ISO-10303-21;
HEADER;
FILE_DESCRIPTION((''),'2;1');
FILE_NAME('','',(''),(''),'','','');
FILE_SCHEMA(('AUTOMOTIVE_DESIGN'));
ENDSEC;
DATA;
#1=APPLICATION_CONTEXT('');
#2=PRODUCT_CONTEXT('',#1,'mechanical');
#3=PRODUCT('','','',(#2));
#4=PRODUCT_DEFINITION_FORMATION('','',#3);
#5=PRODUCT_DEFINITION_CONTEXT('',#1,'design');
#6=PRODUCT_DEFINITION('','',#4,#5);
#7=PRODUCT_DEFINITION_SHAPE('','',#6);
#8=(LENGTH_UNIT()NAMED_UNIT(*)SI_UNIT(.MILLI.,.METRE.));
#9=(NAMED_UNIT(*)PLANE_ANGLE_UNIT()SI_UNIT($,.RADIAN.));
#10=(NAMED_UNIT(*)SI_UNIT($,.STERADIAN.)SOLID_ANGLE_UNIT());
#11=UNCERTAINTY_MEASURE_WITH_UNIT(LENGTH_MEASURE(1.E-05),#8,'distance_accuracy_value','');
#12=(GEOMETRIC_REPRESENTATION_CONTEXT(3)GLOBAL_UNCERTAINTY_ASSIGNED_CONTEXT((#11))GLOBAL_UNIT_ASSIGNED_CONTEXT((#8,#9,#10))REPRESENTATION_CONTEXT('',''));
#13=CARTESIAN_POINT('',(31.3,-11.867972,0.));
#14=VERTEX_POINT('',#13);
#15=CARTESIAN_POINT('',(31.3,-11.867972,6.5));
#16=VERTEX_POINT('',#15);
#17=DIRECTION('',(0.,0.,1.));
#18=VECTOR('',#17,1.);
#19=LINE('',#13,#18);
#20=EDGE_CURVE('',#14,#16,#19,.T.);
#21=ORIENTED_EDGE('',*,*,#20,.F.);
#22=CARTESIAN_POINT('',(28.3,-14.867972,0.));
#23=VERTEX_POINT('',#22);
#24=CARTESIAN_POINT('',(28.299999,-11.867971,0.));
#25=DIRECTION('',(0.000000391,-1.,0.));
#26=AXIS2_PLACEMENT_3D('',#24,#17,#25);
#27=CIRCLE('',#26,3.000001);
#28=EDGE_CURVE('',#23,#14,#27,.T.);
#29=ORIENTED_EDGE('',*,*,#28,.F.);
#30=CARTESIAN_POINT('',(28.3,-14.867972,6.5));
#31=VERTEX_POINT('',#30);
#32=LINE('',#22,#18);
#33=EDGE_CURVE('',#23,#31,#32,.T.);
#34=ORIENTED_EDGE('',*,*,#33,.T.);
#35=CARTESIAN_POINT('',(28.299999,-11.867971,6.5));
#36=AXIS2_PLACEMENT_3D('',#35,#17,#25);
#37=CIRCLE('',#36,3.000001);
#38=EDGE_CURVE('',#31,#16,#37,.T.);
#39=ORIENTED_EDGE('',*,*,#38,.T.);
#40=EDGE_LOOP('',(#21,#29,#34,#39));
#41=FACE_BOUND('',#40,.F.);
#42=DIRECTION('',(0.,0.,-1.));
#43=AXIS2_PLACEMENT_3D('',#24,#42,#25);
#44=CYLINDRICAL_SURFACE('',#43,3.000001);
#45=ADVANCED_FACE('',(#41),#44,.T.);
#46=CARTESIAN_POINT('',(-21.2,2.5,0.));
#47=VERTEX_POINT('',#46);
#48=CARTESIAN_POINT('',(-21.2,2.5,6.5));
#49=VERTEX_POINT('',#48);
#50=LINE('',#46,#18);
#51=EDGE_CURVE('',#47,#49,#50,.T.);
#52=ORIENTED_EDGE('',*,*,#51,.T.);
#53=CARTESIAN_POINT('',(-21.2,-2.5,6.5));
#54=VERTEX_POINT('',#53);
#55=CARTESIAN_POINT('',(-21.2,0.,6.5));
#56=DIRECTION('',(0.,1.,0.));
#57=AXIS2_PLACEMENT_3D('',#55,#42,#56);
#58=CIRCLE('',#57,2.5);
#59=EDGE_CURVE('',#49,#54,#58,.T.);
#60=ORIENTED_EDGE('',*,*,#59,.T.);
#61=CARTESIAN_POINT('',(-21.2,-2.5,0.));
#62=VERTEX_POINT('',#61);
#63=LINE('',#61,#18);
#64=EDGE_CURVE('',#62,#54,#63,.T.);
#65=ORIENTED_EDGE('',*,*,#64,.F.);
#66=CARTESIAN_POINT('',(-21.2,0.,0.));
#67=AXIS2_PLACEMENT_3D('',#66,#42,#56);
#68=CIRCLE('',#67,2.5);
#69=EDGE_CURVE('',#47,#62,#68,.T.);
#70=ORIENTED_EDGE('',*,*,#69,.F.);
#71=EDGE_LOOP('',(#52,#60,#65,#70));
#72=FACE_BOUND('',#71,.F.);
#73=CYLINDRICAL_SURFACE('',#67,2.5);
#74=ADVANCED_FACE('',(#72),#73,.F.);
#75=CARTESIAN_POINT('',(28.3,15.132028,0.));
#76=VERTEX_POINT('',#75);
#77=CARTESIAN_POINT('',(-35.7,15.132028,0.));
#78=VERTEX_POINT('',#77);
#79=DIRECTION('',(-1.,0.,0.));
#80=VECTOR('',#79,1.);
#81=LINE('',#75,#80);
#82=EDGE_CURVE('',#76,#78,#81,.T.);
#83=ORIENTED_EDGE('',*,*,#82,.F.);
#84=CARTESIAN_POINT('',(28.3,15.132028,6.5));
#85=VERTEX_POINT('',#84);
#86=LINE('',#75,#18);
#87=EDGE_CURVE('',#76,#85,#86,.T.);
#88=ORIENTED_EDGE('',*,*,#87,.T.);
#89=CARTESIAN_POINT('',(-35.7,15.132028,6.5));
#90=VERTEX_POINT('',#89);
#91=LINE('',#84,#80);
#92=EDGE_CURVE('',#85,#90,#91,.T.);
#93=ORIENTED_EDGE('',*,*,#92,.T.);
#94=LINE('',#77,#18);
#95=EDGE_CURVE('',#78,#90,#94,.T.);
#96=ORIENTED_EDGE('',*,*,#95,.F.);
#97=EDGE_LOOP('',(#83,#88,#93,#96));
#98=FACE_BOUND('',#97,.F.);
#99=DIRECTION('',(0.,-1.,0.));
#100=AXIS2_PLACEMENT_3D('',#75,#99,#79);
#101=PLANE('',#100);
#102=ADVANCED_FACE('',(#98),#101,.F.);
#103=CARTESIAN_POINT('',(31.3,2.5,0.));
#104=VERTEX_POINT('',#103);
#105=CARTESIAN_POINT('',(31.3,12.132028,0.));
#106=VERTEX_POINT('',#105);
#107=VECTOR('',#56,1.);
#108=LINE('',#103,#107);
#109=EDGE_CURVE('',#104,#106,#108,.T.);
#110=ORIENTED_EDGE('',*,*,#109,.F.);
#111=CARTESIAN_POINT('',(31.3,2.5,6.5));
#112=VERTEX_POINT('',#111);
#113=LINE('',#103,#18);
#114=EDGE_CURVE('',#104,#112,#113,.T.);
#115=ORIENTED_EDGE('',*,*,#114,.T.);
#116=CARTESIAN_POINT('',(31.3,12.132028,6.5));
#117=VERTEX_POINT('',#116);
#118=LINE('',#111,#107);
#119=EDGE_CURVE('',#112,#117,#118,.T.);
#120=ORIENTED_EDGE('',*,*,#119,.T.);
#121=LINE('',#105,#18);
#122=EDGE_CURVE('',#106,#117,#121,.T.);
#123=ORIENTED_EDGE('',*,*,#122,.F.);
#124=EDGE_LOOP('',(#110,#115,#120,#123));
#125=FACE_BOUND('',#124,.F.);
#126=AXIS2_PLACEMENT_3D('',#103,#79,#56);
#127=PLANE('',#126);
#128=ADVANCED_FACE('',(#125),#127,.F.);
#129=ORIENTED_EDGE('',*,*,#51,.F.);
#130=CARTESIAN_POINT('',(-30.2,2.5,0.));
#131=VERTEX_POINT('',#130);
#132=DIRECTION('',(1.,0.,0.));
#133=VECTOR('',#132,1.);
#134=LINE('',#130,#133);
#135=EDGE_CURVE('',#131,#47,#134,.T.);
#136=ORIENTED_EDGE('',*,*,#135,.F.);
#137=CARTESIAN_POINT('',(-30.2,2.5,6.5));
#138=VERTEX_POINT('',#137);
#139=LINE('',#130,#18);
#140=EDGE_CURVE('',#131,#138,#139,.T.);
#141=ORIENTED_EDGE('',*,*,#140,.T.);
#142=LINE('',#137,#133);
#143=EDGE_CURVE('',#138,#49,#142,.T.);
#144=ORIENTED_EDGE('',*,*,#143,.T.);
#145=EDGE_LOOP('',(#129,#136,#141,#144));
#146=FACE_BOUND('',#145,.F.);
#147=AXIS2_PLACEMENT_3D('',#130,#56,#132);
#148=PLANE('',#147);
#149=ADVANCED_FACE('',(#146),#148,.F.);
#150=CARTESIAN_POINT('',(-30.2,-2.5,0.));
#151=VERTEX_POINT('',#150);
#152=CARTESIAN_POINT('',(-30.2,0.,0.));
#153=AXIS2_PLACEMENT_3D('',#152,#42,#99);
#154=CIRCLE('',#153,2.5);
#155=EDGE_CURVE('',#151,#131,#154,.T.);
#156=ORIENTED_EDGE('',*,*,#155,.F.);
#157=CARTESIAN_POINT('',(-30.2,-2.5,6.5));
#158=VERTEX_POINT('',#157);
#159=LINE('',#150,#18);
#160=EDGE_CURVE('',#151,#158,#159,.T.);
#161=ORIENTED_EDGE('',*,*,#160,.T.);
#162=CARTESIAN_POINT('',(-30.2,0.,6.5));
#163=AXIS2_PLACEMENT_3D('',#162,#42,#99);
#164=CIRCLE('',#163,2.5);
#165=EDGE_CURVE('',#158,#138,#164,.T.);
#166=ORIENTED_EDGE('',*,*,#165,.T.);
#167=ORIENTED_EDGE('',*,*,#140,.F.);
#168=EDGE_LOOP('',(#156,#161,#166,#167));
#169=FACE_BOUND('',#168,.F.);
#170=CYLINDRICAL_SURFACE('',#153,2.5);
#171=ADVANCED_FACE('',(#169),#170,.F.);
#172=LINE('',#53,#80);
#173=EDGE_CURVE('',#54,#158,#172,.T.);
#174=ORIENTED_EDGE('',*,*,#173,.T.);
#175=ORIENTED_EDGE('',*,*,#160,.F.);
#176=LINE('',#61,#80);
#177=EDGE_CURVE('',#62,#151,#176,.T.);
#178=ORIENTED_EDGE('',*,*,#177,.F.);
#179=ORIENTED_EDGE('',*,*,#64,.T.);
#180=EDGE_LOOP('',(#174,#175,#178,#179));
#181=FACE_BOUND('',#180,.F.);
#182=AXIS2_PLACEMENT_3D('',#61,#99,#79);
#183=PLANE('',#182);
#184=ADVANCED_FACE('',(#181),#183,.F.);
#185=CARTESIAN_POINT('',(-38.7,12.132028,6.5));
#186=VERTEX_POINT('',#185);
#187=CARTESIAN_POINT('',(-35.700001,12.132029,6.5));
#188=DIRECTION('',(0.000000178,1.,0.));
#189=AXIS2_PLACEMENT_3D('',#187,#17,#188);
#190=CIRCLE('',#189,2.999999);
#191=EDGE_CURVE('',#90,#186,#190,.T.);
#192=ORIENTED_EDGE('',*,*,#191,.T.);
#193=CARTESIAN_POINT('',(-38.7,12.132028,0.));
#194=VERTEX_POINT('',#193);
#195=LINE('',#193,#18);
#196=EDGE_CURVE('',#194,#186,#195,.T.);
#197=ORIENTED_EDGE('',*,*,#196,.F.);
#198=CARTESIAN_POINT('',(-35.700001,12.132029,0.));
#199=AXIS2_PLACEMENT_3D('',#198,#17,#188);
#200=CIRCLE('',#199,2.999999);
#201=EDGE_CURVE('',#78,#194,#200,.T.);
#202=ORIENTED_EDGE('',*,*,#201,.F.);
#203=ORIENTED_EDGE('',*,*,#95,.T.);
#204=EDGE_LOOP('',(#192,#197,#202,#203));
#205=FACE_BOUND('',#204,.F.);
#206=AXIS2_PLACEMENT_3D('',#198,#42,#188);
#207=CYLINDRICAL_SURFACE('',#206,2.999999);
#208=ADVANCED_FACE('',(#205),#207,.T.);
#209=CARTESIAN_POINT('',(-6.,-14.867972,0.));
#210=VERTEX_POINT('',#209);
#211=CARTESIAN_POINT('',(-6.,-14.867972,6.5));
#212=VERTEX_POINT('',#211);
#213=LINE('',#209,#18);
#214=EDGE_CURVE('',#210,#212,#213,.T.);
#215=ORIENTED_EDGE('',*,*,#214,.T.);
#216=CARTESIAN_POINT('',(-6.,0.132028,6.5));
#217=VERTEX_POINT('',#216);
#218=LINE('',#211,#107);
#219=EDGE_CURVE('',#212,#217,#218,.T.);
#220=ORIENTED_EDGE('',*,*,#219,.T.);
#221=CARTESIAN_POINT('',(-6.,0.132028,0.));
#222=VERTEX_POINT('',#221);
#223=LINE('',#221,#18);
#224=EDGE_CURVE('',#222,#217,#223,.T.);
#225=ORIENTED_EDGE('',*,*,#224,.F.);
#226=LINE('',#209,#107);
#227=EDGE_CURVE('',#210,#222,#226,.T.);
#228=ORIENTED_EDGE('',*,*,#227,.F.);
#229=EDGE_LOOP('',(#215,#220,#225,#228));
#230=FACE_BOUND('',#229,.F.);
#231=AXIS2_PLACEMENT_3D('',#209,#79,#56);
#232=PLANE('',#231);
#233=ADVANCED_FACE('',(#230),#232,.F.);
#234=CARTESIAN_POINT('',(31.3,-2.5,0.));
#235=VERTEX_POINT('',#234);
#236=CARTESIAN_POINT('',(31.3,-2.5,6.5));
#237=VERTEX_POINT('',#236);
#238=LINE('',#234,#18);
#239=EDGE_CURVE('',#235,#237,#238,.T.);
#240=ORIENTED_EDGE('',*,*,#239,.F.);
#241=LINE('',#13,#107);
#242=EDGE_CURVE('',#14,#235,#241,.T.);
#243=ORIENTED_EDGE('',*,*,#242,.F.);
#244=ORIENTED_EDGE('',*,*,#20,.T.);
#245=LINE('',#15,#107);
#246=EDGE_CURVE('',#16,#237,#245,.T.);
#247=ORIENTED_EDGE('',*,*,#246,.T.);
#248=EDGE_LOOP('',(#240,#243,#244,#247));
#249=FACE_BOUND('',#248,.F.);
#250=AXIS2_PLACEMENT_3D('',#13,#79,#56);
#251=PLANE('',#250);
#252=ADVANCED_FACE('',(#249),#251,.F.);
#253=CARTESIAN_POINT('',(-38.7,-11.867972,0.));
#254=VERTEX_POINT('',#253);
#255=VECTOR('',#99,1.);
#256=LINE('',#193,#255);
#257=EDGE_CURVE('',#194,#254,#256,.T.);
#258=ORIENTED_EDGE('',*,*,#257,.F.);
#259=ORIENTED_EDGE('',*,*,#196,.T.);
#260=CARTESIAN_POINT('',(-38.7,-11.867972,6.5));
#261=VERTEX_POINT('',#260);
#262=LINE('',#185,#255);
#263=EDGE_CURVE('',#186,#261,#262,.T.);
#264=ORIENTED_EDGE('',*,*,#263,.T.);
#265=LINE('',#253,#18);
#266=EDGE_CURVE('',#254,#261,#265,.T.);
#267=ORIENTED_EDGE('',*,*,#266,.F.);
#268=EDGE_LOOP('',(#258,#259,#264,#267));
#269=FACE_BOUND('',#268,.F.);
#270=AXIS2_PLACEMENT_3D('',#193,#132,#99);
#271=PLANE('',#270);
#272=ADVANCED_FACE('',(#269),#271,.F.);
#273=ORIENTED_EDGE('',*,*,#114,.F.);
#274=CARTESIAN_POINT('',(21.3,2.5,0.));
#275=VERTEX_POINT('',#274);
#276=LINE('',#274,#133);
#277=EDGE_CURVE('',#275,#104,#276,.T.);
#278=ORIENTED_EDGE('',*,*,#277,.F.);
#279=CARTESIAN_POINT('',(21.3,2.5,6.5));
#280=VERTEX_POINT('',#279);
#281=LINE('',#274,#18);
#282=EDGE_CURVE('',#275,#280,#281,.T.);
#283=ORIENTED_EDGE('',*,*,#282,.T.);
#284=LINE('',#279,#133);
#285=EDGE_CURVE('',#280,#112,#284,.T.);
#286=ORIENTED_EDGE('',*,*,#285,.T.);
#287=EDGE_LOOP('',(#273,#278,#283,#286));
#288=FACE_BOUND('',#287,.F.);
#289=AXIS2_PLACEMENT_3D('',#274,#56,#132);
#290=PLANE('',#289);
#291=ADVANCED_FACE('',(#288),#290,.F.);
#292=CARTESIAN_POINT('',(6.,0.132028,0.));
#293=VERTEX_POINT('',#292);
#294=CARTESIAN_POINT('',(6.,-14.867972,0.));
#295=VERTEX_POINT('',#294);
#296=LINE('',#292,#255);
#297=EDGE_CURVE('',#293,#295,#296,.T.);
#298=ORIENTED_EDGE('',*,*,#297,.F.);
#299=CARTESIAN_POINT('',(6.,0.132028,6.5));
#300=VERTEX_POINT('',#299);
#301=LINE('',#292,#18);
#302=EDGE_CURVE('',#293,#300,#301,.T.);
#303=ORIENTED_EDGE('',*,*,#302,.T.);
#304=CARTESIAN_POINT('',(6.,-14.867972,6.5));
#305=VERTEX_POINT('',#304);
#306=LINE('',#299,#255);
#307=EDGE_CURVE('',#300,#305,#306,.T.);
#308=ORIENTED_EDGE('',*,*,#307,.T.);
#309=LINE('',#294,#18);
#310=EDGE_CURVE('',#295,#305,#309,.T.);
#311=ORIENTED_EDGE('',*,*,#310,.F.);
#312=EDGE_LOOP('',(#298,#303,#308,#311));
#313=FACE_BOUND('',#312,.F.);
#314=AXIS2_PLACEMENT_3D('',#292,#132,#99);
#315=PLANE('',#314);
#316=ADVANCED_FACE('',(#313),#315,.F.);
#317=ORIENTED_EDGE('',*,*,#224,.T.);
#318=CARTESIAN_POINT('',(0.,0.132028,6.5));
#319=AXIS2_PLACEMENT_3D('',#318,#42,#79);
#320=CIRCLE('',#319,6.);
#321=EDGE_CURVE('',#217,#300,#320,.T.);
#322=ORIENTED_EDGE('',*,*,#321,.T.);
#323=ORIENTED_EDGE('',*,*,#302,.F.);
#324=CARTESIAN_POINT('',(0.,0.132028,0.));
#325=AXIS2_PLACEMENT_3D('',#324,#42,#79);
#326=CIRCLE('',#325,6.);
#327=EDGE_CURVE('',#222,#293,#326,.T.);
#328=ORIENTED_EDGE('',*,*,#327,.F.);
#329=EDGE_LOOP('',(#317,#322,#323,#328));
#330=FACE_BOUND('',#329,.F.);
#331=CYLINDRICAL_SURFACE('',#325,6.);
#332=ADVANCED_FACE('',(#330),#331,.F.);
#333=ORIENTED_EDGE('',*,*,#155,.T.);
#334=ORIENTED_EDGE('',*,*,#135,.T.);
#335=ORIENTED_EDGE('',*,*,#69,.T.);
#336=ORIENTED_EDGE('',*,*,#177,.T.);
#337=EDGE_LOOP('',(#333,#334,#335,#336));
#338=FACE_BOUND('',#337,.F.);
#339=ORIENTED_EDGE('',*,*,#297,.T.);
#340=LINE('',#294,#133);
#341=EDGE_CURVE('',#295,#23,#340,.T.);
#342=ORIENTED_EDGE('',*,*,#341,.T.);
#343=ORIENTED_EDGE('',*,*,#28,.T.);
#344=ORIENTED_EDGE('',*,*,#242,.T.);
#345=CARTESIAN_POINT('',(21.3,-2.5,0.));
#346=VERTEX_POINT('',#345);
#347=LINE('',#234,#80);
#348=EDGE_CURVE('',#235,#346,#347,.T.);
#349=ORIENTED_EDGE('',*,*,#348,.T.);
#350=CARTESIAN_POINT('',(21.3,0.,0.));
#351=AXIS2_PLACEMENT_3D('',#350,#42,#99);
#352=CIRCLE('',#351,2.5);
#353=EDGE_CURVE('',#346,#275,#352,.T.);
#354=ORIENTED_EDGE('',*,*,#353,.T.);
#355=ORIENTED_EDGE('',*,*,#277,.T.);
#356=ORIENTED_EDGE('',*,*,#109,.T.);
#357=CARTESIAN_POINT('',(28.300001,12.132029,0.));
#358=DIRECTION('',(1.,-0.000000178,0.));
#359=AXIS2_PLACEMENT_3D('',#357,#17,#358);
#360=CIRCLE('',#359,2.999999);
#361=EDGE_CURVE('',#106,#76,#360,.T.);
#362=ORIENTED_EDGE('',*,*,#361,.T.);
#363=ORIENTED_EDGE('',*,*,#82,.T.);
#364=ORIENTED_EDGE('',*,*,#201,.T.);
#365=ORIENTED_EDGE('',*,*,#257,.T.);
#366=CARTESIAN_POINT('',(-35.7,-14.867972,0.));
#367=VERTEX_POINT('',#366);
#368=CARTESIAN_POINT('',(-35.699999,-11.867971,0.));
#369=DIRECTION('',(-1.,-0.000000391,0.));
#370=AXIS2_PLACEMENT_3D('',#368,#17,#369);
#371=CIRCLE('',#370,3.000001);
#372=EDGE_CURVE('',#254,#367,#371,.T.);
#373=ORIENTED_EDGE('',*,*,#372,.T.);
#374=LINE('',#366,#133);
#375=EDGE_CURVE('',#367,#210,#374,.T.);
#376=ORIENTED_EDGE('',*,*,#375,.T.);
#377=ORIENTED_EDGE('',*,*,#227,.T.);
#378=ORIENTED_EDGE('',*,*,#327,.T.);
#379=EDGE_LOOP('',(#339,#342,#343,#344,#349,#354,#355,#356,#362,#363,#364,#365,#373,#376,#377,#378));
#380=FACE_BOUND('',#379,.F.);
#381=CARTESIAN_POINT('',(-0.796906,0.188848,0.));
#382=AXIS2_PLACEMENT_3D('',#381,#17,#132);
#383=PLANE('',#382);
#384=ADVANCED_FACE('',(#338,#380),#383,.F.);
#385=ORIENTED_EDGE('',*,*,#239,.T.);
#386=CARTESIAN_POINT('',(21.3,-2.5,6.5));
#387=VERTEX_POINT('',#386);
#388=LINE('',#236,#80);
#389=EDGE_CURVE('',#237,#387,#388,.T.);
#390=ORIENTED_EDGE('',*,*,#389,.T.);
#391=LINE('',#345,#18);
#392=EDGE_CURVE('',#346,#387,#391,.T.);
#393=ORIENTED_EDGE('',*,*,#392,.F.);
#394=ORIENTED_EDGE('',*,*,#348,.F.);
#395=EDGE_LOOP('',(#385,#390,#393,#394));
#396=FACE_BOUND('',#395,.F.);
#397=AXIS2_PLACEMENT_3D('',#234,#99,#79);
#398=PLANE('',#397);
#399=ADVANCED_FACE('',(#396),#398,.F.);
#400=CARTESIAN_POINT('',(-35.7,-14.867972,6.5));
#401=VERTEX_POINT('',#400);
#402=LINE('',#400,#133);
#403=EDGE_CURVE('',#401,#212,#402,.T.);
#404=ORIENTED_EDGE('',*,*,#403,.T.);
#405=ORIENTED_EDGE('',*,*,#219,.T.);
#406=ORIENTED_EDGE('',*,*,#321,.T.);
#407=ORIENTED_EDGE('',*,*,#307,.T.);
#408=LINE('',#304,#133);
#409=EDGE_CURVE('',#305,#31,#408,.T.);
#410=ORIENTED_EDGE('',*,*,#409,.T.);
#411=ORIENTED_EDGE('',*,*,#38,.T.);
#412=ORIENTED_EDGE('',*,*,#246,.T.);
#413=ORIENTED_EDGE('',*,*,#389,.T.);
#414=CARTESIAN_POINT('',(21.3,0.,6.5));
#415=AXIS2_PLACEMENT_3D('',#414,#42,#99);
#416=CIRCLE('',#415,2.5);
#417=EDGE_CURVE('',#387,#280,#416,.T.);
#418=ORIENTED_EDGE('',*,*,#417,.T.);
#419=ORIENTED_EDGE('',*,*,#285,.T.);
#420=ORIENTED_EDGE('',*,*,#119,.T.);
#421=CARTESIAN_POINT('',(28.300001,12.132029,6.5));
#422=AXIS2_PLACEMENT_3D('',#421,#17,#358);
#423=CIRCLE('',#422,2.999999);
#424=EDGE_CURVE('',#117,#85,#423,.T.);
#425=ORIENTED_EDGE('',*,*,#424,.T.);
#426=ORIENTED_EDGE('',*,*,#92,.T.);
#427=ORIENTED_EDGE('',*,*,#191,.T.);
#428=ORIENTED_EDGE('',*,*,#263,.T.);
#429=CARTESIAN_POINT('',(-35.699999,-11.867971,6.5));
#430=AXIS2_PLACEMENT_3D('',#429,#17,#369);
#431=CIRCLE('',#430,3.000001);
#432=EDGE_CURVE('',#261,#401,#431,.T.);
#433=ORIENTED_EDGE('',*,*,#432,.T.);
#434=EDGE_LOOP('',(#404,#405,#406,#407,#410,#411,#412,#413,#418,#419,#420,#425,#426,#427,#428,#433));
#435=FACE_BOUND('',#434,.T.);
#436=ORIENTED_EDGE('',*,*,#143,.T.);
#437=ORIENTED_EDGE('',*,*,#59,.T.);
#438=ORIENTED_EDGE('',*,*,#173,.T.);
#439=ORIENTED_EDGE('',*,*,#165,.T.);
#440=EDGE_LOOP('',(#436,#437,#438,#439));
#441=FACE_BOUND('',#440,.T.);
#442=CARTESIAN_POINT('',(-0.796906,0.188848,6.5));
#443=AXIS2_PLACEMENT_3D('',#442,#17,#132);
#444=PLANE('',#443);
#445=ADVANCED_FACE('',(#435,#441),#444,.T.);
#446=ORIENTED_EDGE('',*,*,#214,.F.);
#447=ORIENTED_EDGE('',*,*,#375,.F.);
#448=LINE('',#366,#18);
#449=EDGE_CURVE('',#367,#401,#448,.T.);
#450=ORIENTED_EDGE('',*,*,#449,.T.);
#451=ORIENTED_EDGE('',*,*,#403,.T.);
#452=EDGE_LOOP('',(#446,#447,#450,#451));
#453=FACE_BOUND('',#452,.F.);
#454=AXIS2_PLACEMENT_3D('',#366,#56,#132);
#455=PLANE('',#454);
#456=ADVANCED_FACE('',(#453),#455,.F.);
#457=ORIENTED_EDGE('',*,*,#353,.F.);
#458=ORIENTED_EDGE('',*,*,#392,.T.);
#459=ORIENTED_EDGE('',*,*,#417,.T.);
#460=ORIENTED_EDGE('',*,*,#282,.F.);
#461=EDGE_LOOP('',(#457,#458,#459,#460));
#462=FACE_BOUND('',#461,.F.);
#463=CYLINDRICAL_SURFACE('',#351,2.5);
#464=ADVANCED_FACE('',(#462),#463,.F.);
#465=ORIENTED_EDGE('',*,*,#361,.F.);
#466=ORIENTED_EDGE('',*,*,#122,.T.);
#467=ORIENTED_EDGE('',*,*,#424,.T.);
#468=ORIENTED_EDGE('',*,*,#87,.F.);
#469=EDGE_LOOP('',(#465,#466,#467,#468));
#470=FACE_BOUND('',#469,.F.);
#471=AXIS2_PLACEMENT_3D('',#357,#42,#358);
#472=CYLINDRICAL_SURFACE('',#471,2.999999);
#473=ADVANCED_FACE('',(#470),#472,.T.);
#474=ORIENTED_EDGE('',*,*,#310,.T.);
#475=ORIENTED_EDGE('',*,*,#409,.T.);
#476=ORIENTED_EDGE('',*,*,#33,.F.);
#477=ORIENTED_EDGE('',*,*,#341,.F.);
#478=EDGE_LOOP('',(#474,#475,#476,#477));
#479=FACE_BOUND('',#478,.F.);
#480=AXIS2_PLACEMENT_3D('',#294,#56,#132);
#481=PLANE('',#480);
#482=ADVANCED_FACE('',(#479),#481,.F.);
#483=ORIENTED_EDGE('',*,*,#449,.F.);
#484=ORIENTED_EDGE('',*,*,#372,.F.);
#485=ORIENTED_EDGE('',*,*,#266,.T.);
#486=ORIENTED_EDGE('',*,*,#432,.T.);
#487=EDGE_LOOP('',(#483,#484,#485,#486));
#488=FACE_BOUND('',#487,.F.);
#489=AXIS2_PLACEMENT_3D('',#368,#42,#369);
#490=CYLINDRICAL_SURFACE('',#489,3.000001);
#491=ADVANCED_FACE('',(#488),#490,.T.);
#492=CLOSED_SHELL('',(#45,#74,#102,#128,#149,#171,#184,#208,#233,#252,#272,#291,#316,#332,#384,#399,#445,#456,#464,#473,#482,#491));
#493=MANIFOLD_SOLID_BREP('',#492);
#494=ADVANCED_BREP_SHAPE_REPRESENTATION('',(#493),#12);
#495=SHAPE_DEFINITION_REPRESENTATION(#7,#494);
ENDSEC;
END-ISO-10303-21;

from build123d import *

# Parameters (mm, degrees)
F1_DEPTH = 6.5


with BuildPart() as f1:
    # F0 (on Top) → F1 (new body)
    with BuildSketch(Plane.XY):
        with BuildLine():
            Line((28.3, 15.132028), (-35.7, 15.132028))
            ThreePointArc((-35.7, 15.132028), (-37.82132, 14.253349), (-38.7, 12.132028))
            Line((-38.7, 12.132028), (-38.7, -11.867972))
            ThreePointArc((-38.7, -11.867972), (-37.82132, -13.989292), (-35.7, -14.867972))
            Line((-35.7, -14.867972), (-6, -14.867972))
            Line((-6, -14.867972), (-6, 0.132028))
            ThreePointArc((-6, 0.132028), (0, 6.132028), (6, 0.132028))
            Line((6, 0.132028), (6, -14.867972))
            Line((6, -14.867972), (28.3, -14.867972))
            ThreePointArc((28.3, -14.867972), (30.42132, -13.989292), (31.3, -11.867972))
            Line((31.3, -11.867972), (31.3, -2.5))
            Line((31.3, -2.5), (21.3, -2.5))
            ThreePointArc((21.3, -2.5), (18.8, 0), (21.3, 2.5))
            Line((21.3, 2.5), (31.3, 2.5))
            Line((31.3, 2.5), (31.3, 12.132028))
            ThreePointArc((31.3, 12.132028), (30.42132, 14.253349), (28.3, 15.132028))
        make_face()
        with BuildLine():
            ThreePointArc((-30.2, -2.5), (-32.7, 0), (-30.2, 2.5))
            Line((-30.2, 2.5), (-21.2, 2.5))
            ThreePointArc((-21.2, 2.5), (-18.7, 0), (-21.2, -2.5))
            Line((-21.2, -2.5), (-30.2, -2.5))
        make_face(mode=Mode.SUBTRACT)
    extrude(amount=F1_DEPTH)


solid = f1.part
